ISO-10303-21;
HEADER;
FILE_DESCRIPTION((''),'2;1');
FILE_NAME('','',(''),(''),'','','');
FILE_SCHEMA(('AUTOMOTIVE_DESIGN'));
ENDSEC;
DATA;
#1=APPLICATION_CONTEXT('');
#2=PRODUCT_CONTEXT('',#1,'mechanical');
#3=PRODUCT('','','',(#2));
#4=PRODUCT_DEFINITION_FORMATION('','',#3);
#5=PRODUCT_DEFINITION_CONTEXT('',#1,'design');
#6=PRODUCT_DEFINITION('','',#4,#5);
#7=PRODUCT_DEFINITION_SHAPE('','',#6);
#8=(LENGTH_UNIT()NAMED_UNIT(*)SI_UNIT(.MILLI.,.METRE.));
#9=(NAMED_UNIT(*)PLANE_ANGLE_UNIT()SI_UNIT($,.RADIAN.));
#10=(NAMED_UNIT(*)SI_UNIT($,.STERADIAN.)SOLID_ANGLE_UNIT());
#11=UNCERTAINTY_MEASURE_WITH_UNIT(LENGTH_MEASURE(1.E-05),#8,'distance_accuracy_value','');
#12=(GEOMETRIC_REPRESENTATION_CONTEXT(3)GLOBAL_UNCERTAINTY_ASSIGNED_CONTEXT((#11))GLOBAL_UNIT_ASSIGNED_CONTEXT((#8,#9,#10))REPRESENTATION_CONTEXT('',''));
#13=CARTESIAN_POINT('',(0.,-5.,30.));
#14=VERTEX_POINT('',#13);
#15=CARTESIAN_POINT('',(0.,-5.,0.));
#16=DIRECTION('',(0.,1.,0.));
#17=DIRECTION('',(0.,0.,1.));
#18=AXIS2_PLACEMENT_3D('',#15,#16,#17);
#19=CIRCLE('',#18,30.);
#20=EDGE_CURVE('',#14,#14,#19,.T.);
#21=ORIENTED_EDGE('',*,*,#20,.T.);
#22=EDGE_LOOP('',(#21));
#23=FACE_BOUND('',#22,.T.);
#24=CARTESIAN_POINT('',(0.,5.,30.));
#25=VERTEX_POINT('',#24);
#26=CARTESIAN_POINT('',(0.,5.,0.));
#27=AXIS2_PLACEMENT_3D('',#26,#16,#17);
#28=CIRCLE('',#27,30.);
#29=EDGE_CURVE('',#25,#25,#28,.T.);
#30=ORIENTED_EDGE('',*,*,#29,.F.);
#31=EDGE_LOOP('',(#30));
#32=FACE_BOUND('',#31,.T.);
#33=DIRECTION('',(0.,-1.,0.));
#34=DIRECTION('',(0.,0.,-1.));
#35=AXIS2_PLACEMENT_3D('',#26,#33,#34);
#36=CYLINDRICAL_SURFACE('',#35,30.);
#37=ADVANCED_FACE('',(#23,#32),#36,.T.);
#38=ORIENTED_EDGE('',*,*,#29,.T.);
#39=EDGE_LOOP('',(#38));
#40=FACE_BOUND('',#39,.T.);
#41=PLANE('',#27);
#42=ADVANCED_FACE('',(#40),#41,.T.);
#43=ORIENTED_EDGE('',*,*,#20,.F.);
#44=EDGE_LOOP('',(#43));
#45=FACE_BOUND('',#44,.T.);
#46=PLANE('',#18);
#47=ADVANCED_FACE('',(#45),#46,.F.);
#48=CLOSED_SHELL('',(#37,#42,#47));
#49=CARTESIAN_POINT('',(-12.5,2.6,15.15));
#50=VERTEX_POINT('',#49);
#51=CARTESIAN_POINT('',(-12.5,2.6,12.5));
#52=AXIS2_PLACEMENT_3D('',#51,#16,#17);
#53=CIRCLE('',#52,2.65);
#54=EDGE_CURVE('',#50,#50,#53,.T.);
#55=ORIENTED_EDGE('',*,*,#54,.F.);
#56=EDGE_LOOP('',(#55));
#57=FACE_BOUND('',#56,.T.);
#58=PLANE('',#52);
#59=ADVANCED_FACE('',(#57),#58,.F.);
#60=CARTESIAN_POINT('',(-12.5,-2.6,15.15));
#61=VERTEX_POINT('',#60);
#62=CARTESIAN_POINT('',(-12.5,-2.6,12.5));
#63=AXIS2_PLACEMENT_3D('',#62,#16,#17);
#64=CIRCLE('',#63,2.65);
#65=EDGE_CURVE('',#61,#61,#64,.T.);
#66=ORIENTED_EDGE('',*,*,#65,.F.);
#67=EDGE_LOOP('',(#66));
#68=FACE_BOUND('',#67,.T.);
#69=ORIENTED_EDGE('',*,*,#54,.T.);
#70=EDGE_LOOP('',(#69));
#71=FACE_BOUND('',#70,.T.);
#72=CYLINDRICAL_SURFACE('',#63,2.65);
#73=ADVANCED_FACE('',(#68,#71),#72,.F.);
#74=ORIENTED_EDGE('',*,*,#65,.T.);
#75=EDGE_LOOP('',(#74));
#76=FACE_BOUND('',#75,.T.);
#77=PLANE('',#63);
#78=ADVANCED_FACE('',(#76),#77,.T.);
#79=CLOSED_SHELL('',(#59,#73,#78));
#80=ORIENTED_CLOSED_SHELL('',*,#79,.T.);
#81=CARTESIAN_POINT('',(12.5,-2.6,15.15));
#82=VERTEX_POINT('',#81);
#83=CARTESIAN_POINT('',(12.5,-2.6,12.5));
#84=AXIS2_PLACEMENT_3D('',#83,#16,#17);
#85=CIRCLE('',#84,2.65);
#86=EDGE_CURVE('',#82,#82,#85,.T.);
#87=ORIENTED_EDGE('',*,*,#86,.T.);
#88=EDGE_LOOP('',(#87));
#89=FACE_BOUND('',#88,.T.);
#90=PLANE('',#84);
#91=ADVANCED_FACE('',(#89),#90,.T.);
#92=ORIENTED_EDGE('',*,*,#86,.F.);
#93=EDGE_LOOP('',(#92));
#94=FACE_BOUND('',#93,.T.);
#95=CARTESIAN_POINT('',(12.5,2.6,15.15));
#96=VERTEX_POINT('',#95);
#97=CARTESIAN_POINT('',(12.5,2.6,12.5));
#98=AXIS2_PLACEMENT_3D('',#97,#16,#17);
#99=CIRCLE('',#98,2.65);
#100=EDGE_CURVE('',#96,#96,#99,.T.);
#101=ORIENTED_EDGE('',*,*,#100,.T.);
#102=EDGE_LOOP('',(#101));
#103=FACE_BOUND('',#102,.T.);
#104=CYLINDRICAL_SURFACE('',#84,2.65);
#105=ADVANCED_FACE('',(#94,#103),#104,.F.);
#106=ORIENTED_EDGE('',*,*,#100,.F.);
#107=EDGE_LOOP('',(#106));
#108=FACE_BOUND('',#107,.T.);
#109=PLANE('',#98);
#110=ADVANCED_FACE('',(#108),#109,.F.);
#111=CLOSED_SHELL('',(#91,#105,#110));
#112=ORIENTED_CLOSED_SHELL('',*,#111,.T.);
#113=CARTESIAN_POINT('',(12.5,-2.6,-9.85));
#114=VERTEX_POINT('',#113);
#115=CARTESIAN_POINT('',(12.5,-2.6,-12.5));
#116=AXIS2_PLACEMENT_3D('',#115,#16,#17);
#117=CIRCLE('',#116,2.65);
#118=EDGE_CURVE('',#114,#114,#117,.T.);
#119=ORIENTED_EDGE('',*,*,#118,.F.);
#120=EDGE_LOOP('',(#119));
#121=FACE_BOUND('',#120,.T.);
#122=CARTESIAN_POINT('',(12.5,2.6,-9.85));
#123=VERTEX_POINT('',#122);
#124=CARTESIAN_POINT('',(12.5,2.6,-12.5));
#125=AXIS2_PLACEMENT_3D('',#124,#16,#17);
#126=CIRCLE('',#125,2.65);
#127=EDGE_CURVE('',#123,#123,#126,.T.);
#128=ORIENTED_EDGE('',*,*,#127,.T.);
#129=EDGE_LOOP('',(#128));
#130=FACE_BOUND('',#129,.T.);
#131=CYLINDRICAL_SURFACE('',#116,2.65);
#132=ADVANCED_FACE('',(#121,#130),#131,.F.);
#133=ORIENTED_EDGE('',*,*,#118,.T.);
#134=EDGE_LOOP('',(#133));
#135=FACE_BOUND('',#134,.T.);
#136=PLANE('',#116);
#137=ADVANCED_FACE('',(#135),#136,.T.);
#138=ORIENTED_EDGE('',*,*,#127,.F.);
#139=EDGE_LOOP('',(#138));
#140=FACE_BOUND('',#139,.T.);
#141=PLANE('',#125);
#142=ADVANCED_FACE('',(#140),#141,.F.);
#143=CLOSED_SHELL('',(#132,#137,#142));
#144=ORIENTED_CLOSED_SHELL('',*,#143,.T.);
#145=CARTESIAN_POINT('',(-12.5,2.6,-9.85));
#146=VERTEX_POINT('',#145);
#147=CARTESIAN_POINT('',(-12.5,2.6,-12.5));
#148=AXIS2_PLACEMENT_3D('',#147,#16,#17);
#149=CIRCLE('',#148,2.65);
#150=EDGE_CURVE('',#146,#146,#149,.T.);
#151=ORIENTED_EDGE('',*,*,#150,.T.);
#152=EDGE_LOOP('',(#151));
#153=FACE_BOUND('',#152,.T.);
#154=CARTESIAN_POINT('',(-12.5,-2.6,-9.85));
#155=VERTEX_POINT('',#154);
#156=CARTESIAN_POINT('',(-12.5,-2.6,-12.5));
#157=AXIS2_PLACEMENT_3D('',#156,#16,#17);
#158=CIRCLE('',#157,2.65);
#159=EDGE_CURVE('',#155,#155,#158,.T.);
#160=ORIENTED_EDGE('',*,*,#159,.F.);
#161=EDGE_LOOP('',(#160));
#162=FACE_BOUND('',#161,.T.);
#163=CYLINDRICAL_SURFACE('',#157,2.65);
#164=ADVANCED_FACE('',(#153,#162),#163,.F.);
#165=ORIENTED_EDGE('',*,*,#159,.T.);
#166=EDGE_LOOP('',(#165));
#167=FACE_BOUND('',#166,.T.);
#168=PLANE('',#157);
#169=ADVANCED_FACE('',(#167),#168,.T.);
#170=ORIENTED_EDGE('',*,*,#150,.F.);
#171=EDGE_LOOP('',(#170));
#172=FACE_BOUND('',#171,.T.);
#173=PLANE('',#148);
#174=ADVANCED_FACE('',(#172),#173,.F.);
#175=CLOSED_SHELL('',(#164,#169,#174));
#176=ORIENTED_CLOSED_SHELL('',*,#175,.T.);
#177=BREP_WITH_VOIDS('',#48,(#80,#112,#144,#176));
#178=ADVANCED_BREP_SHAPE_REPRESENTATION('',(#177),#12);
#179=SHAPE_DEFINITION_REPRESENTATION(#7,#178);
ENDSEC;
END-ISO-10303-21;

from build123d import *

# Parameters (mm, degrees)
SKETCH1_R           = 30
BOSS_EXTRUDE1_DEPTH = 5
SKETCH2_R           = 2.65
CUT_EXTRUDE1_DEPTH  = 2.6


with BuildPart() as part:
    # Sketch1 → Boss-Extrude1 (new body, symmetric)
    with BuildSketch(Plane(origin=(0, 0, 0), x_dir=(1, 0, 0), z_dir=(0, 1, 0))):
        Circle(SKETCH1_R)
    extrude(amount=BOSS_EXTRUDE1_DEPTH, both=True)

    # Sketch2 → Cut-Extrude1 (cut, symmetric)
    with BuildSketch(Plane(origin=(0, 0, 0), x_dir=(1, 0, 0), z_dir=(0, 1, 0))):
        with Locations((-12.5, 12.5)):
            Circle(SKETCH2_R)
        with Locations((12.5, 12.5)):
            Circle(SKETCH2_R)
        with Locations((12.5, -12.5)):
            Circle(SKETCH2_R)
        with Locations((-12.5, -12.5)):
            Circle(SKETCH2_R)
    extrude(amount=CUT_EXTRUDE1_DEPTH, both=True, mode=Mode.SUBTRACT)


solid = part.part
